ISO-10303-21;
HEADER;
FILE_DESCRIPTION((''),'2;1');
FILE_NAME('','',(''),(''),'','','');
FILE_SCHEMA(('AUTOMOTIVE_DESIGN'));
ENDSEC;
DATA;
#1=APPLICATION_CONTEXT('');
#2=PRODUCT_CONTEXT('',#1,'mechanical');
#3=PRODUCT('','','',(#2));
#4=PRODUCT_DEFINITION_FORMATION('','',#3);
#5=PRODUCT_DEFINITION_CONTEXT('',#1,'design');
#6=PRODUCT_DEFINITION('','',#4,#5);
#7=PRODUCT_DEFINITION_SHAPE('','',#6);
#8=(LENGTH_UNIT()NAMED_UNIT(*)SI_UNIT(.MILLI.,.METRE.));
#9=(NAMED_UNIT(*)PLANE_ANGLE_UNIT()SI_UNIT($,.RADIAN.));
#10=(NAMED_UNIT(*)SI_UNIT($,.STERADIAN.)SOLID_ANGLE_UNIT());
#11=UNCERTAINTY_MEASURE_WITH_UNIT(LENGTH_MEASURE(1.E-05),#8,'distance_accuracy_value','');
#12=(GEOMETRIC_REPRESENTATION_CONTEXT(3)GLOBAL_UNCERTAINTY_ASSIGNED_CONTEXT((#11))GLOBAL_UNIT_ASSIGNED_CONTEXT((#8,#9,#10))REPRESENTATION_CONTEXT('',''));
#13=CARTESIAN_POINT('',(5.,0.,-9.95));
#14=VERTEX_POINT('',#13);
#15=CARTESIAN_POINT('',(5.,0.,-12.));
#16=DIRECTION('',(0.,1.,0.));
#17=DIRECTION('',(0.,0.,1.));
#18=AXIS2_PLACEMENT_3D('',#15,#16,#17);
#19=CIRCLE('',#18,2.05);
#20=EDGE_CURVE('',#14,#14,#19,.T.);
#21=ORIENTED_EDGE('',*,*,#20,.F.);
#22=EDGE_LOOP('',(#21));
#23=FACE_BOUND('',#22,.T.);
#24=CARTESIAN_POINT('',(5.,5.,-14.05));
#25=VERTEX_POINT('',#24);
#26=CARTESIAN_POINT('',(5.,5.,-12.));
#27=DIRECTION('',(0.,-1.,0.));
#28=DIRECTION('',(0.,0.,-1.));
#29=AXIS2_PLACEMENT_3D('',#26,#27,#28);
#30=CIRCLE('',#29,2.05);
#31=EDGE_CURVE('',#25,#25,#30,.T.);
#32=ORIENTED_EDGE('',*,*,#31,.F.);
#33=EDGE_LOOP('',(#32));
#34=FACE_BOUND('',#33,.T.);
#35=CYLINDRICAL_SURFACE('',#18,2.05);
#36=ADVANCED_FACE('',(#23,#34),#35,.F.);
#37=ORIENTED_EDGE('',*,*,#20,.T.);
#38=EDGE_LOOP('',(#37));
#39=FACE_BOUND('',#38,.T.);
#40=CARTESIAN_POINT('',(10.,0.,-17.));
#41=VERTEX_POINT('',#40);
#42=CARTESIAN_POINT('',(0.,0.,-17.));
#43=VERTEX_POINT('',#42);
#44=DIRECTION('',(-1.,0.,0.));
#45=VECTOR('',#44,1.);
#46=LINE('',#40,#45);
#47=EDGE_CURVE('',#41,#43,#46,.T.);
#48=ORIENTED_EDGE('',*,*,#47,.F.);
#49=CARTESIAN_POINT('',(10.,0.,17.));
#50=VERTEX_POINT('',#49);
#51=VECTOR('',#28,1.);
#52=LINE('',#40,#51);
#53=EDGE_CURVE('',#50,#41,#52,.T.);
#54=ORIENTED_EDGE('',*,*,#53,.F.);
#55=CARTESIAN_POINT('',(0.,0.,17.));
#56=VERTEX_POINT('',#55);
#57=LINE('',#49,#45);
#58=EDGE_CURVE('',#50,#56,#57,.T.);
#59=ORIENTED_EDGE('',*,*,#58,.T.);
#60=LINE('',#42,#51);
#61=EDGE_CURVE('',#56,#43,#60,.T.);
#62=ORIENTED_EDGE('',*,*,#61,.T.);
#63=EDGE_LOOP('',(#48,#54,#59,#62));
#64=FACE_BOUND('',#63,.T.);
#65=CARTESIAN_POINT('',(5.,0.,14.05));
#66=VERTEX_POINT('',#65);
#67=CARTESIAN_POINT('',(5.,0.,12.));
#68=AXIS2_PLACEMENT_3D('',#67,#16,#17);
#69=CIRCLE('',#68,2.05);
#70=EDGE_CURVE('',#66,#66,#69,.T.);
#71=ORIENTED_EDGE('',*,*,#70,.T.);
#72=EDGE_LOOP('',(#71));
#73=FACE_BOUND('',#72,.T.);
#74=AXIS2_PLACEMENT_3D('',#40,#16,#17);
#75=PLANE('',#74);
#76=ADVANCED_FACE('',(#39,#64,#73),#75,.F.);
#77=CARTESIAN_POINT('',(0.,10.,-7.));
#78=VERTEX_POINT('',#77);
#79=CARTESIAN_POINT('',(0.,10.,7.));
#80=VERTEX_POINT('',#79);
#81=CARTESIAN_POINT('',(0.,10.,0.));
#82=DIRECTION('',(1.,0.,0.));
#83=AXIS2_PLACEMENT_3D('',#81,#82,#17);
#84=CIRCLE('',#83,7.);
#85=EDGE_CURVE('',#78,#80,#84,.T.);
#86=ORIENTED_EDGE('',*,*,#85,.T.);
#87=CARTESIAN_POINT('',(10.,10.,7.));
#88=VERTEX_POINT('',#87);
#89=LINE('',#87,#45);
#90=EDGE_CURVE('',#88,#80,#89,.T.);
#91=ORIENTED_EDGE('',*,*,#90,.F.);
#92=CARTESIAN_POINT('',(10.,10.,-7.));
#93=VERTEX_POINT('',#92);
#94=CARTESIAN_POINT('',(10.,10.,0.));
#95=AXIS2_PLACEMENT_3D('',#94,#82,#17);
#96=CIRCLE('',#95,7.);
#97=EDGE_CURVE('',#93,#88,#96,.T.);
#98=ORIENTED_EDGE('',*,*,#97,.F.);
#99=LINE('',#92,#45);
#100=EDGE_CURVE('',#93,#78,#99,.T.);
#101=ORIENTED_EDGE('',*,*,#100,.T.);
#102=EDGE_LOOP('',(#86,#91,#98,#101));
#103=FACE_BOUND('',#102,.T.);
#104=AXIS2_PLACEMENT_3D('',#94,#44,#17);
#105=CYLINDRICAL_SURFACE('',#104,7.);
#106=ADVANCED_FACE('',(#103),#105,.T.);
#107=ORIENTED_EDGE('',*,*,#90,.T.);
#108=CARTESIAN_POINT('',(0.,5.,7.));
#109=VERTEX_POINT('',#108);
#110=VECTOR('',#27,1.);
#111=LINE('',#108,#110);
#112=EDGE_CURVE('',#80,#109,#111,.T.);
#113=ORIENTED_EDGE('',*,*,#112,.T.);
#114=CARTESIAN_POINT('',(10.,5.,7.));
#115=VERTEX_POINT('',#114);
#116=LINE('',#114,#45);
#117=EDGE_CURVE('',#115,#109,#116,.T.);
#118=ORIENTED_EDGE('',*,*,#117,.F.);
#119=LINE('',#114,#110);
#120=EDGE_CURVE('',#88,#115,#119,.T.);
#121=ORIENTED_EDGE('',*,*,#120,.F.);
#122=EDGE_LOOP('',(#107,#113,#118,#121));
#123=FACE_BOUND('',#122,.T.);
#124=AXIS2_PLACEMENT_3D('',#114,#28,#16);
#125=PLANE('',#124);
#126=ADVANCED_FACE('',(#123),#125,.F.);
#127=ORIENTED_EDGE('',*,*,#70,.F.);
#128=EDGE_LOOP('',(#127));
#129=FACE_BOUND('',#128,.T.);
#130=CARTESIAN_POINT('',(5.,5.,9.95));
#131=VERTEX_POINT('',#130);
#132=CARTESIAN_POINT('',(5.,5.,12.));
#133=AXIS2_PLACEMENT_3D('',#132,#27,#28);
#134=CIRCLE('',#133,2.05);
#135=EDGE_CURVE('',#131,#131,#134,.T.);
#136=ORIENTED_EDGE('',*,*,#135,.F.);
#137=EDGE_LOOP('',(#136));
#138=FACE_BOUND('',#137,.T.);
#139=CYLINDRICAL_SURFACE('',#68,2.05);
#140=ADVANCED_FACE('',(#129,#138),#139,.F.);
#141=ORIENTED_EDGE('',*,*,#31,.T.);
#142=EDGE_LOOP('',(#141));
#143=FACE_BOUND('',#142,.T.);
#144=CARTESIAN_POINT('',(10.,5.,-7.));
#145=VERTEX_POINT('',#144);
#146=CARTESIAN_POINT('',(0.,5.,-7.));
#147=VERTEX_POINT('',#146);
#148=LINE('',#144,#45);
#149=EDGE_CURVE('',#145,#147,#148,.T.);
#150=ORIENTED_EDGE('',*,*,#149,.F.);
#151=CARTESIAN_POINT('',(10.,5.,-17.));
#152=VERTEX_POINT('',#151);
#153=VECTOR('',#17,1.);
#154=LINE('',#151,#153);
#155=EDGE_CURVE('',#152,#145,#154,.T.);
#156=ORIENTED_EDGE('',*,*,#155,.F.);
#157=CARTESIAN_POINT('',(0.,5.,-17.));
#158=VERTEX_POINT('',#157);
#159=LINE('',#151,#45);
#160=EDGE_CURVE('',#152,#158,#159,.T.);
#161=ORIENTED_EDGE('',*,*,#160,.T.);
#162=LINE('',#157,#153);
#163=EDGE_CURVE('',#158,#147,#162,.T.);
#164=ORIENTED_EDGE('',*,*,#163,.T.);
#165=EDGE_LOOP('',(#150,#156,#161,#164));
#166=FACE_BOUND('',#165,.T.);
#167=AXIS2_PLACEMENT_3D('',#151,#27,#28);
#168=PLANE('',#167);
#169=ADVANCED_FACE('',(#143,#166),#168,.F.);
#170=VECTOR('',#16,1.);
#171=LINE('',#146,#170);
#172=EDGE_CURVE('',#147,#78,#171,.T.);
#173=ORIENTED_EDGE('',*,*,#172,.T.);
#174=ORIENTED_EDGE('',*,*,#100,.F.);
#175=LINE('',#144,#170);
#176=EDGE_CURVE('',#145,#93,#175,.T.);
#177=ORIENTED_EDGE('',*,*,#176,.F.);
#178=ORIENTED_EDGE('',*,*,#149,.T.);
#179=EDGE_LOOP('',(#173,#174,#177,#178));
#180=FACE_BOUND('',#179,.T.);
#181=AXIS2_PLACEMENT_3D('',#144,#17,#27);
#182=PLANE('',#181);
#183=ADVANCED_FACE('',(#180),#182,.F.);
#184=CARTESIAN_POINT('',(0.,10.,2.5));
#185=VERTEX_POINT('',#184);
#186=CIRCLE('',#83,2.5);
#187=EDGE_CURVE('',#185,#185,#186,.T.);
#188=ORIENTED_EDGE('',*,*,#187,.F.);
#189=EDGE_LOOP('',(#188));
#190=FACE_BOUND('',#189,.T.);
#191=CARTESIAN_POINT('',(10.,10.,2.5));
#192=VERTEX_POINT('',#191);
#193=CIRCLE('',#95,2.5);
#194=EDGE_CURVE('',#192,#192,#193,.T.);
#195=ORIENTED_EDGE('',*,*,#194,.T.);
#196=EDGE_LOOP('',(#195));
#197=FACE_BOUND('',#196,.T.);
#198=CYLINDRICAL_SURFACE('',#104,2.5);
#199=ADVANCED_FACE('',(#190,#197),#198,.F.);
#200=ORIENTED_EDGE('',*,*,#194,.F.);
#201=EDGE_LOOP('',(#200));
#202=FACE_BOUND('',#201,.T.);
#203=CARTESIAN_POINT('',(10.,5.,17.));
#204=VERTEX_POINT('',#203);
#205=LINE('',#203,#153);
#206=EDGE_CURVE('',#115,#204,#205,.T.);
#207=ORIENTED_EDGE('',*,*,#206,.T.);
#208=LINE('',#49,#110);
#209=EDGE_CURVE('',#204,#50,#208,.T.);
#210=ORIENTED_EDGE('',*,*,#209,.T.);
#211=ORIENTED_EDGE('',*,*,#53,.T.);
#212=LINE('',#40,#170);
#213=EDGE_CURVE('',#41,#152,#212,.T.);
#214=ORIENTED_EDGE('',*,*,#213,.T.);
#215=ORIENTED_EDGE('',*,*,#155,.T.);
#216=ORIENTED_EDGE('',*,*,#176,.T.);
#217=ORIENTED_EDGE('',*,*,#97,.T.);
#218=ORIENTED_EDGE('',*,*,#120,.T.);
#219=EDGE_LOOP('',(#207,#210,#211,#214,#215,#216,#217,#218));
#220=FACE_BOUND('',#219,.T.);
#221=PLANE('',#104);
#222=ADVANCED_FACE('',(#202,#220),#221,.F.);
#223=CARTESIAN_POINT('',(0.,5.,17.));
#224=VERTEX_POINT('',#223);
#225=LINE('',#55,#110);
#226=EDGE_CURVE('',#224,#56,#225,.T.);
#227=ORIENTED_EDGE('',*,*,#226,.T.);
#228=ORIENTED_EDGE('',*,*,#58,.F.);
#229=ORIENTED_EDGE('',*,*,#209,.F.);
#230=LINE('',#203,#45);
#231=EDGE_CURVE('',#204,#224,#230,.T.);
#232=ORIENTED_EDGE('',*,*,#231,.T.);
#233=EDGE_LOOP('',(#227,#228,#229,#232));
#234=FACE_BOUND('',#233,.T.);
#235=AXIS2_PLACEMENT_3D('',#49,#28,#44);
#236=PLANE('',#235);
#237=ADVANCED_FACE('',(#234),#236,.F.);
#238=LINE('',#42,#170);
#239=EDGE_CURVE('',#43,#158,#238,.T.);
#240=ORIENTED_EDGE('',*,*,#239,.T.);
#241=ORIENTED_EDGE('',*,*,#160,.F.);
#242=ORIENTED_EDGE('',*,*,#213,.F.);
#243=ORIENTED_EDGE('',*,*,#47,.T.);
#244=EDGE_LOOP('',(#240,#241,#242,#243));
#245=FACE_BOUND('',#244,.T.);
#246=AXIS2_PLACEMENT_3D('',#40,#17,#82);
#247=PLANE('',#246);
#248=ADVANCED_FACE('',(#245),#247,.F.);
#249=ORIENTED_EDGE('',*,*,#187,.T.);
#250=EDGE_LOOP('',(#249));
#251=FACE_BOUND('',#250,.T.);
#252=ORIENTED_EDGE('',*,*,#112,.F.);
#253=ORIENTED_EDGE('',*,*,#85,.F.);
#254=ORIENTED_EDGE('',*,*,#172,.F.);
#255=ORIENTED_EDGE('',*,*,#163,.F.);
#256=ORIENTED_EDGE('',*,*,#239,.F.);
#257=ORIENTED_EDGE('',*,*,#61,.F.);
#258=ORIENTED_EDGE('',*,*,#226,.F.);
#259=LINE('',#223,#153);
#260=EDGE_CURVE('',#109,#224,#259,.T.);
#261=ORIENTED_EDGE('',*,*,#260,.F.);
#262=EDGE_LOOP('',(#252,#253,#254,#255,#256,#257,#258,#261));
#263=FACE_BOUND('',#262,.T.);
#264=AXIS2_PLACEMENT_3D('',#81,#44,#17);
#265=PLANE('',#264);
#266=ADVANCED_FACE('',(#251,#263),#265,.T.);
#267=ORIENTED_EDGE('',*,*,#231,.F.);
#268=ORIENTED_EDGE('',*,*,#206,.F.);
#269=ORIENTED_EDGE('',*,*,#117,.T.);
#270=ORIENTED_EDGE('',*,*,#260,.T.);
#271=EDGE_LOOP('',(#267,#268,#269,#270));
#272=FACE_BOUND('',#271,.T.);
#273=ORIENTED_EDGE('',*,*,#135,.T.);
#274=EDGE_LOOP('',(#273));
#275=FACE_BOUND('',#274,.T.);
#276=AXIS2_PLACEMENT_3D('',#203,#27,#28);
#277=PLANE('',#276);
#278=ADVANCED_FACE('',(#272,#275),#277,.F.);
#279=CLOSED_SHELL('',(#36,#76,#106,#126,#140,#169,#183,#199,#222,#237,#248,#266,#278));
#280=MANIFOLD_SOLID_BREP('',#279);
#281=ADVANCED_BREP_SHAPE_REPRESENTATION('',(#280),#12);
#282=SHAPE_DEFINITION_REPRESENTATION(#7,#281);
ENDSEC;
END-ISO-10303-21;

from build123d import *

# Parameters (mm, degrees)
ESQUISSE1_R                  = 2.5
BOSS_EXTRU_1_DEPTH           = 10
ENL_V_MAT_EXTRU_1_DEPTH      = 24.086792761
ENL_V_MAT_EXTRU_1_DEPTH_BACK = 24.086792761
ESQUISSE2_R                  = 2.05


with BuildPart() as part:
    # Esquisse1 → Boss.-Extru.1 (new body)
    with BuildSketch(Plane(origin=(0, 0, 0), x_dir=(0, 0, -1), z_dir=(1, 0, 0))):
        with BuildLine():
            Line((17, 0), (-17, 0))
            Line((-17, 0), (-17, 5))
            Line((-17, 5), (-7, 5))
            Line((-7, 5), (-7, 10))
            ThreePointArc((-7, 10), (0, 17), (7, 10))
            Line((7, 10), (7, 5))
            Line((7, 5), (17, 5))
            Line((17, 5), (17, 0))
        make_face()
        with Locations(Location((0, 10, 0), (0, 0, 180))):
            Circle(ESQUISSE1_R, mode=Mode.SUBTRACT)
    extrude(amount=BOSS_EXTRU_1_DEPTH)

    # Esquisse2 → Enlèv. mat.-Extru.1 (cut, two sides: drawn at the far end of the back side and taken through both)
    with BuildSketch(Plane(origin=(0, 5, 0), x_dir=(1, 0, 0), z_dir=(0, 1, 0)).offset(-ENL_V_MAT_EXTRU_1_DEPTH_BACK)):
        with Locations(Location((5, 12, 0), (0, 0, 270))):
            Circle(ESQUISSE2_R)
        with Locations(Location((5, -12, 0), (0, 0, 270))):
            Circle(ESQUISSE2_R)
    extrude(amount=ENL_V_MAT_EXTRU_1_DEPTH + ENL_V_MAT_EXTRU_1_DEPTH_BACK, mode=Mode.SUBTRACT)


solid = part.part
